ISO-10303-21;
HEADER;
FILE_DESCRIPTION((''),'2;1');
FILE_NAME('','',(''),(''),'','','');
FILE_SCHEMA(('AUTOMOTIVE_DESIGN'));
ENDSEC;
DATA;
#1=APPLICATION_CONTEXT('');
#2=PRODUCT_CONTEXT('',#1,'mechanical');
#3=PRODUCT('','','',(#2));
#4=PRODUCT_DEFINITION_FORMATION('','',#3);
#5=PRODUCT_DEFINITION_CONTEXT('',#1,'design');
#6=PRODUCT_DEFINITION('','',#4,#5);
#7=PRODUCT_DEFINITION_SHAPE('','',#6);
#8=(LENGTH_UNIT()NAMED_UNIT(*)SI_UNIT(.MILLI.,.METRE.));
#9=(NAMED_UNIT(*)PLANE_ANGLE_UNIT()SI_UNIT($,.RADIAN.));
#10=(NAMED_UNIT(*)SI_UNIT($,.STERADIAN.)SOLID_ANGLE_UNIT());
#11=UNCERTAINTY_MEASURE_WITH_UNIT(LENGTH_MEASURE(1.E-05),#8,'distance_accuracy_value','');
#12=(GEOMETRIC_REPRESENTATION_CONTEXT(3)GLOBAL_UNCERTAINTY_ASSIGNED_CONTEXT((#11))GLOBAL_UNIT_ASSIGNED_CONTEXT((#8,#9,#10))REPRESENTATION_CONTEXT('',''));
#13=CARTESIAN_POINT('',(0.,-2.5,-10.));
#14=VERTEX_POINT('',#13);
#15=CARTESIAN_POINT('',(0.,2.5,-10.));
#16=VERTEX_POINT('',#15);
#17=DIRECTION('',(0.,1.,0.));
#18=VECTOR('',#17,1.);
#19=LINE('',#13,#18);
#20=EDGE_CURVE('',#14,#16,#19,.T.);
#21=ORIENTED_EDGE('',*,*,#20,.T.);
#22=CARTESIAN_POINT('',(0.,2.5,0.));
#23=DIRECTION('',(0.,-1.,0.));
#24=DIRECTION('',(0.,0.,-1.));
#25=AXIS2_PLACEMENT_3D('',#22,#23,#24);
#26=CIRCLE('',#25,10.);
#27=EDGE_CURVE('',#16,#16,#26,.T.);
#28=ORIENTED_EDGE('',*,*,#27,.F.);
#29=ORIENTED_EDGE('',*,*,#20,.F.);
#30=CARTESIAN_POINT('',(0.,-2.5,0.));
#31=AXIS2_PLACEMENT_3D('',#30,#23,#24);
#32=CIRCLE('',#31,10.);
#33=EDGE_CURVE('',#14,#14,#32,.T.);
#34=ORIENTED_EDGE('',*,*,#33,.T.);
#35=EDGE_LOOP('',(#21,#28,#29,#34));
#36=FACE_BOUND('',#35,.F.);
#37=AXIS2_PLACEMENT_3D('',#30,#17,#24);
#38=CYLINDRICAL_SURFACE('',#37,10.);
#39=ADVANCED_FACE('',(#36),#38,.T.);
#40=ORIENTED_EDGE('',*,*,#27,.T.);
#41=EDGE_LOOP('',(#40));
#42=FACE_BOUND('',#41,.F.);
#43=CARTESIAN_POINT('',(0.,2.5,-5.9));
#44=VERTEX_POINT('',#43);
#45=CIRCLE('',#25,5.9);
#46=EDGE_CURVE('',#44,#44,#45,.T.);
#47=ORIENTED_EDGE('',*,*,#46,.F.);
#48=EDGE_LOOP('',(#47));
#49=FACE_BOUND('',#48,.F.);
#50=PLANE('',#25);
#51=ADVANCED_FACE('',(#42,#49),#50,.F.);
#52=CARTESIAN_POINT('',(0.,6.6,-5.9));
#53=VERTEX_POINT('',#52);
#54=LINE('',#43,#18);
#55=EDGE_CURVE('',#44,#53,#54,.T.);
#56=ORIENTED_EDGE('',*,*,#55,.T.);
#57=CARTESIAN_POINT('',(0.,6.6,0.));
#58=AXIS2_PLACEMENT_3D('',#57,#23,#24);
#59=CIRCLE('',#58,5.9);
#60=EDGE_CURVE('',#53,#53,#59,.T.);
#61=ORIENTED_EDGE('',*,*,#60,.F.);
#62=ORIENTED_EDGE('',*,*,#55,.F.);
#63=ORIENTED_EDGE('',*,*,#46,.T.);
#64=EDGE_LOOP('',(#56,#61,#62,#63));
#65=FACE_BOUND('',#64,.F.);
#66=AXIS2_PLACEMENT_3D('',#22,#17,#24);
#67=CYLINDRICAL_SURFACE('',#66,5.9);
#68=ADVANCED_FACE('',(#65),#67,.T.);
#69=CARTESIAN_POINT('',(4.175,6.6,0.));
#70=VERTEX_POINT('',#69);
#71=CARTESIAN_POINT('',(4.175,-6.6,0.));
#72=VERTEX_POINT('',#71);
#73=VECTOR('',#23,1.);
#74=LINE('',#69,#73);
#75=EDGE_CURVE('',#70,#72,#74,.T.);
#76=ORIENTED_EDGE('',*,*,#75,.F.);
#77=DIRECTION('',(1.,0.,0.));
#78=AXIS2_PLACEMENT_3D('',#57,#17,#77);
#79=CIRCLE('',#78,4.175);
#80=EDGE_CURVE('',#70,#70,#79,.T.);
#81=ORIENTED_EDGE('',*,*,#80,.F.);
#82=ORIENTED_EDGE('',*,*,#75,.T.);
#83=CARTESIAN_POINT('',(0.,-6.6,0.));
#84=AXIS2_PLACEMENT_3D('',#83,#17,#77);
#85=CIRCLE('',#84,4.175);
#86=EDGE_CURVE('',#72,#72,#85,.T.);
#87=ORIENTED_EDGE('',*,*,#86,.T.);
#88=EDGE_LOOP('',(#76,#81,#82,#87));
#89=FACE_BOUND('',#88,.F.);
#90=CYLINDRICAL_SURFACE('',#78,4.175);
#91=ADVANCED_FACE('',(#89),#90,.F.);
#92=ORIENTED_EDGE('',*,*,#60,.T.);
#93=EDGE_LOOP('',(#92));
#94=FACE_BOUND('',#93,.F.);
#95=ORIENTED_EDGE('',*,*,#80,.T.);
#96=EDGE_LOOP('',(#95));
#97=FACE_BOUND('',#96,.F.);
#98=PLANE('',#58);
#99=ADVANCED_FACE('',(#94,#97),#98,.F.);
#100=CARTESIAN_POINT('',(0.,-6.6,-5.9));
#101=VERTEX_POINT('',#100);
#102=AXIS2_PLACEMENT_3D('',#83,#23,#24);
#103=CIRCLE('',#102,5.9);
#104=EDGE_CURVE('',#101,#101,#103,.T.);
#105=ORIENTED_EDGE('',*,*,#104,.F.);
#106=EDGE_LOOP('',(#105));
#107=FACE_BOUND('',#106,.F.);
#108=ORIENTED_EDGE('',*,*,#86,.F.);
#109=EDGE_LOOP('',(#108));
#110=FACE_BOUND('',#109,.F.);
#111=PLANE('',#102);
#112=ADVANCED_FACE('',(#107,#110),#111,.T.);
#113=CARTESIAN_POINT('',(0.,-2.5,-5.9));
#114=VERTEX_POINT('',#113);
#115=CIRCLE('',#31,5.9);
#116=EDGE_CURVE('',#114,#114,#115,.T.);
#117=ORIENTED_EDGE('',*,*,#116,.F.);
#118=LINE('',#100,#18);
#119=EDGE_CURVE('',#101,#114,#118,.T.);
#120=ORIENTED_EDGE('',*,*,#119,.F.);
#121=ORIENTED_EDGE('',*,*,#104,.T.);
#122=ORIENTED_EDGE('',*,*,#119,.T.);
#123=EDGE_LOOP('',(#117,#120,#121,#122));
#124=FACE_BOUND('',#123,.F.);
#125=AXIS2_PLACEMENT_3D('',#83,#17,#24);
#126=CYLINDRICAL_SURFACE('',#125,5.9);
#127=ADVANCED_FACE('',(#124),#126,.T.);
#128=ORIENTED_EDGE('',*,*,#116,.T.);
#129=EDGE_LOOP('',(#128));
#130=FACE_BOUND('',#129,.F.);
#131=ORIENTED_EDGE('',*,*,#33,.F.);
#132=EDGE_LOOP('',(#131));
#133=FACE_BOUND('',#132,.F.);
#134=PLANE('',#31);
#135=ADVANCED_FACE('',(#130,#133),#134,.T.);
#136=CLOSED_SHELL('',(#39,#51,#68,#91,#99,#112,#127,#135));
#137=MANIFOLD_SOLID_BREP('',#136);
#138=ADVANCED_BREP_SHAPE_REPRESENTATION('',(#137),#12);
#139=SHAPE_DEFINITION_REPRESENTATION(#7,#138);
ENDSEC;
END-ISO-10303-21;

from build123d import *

# Parameters (mm, degrees)
SCHIZZO5_R               = 4.175
TAGLIO_ESTRUSIONE1_DEPTH = 14.2


with BuildPart() as part:
    # Schizzo2 → Rivoluzione1 (revolve)
    with BuildSketch(Plane(origin=(0, 0, 0), x_dir=(0, 0, -1), z_dir=(1, 0, 0))):
        Polygon((0, 6.6), (0, -6.6), (5.9, -6.6), (5.9, -2.5), (10, -2.5), (10, 2.5), (5.9, 2.5), (5.9, 6.6), align=None)
    revolve(axis=Axis((0, 6.6, 0), (0, -1, 0)))

    # Schizzo5 → Taglio-Estrusione1 (cut, through all)
    with BuildSketch(Plane(origin=(0, 6.6, 0), x_dir=(1, 0, 0), z_dir=(0, 1, 0))):
        Circle(SCHIZZO5_R)
    extrude(amount=-TAGLIO_ESTRUSIONE1_DEPTH, mode=Mode.SUBTRACT)


solid = part.part
